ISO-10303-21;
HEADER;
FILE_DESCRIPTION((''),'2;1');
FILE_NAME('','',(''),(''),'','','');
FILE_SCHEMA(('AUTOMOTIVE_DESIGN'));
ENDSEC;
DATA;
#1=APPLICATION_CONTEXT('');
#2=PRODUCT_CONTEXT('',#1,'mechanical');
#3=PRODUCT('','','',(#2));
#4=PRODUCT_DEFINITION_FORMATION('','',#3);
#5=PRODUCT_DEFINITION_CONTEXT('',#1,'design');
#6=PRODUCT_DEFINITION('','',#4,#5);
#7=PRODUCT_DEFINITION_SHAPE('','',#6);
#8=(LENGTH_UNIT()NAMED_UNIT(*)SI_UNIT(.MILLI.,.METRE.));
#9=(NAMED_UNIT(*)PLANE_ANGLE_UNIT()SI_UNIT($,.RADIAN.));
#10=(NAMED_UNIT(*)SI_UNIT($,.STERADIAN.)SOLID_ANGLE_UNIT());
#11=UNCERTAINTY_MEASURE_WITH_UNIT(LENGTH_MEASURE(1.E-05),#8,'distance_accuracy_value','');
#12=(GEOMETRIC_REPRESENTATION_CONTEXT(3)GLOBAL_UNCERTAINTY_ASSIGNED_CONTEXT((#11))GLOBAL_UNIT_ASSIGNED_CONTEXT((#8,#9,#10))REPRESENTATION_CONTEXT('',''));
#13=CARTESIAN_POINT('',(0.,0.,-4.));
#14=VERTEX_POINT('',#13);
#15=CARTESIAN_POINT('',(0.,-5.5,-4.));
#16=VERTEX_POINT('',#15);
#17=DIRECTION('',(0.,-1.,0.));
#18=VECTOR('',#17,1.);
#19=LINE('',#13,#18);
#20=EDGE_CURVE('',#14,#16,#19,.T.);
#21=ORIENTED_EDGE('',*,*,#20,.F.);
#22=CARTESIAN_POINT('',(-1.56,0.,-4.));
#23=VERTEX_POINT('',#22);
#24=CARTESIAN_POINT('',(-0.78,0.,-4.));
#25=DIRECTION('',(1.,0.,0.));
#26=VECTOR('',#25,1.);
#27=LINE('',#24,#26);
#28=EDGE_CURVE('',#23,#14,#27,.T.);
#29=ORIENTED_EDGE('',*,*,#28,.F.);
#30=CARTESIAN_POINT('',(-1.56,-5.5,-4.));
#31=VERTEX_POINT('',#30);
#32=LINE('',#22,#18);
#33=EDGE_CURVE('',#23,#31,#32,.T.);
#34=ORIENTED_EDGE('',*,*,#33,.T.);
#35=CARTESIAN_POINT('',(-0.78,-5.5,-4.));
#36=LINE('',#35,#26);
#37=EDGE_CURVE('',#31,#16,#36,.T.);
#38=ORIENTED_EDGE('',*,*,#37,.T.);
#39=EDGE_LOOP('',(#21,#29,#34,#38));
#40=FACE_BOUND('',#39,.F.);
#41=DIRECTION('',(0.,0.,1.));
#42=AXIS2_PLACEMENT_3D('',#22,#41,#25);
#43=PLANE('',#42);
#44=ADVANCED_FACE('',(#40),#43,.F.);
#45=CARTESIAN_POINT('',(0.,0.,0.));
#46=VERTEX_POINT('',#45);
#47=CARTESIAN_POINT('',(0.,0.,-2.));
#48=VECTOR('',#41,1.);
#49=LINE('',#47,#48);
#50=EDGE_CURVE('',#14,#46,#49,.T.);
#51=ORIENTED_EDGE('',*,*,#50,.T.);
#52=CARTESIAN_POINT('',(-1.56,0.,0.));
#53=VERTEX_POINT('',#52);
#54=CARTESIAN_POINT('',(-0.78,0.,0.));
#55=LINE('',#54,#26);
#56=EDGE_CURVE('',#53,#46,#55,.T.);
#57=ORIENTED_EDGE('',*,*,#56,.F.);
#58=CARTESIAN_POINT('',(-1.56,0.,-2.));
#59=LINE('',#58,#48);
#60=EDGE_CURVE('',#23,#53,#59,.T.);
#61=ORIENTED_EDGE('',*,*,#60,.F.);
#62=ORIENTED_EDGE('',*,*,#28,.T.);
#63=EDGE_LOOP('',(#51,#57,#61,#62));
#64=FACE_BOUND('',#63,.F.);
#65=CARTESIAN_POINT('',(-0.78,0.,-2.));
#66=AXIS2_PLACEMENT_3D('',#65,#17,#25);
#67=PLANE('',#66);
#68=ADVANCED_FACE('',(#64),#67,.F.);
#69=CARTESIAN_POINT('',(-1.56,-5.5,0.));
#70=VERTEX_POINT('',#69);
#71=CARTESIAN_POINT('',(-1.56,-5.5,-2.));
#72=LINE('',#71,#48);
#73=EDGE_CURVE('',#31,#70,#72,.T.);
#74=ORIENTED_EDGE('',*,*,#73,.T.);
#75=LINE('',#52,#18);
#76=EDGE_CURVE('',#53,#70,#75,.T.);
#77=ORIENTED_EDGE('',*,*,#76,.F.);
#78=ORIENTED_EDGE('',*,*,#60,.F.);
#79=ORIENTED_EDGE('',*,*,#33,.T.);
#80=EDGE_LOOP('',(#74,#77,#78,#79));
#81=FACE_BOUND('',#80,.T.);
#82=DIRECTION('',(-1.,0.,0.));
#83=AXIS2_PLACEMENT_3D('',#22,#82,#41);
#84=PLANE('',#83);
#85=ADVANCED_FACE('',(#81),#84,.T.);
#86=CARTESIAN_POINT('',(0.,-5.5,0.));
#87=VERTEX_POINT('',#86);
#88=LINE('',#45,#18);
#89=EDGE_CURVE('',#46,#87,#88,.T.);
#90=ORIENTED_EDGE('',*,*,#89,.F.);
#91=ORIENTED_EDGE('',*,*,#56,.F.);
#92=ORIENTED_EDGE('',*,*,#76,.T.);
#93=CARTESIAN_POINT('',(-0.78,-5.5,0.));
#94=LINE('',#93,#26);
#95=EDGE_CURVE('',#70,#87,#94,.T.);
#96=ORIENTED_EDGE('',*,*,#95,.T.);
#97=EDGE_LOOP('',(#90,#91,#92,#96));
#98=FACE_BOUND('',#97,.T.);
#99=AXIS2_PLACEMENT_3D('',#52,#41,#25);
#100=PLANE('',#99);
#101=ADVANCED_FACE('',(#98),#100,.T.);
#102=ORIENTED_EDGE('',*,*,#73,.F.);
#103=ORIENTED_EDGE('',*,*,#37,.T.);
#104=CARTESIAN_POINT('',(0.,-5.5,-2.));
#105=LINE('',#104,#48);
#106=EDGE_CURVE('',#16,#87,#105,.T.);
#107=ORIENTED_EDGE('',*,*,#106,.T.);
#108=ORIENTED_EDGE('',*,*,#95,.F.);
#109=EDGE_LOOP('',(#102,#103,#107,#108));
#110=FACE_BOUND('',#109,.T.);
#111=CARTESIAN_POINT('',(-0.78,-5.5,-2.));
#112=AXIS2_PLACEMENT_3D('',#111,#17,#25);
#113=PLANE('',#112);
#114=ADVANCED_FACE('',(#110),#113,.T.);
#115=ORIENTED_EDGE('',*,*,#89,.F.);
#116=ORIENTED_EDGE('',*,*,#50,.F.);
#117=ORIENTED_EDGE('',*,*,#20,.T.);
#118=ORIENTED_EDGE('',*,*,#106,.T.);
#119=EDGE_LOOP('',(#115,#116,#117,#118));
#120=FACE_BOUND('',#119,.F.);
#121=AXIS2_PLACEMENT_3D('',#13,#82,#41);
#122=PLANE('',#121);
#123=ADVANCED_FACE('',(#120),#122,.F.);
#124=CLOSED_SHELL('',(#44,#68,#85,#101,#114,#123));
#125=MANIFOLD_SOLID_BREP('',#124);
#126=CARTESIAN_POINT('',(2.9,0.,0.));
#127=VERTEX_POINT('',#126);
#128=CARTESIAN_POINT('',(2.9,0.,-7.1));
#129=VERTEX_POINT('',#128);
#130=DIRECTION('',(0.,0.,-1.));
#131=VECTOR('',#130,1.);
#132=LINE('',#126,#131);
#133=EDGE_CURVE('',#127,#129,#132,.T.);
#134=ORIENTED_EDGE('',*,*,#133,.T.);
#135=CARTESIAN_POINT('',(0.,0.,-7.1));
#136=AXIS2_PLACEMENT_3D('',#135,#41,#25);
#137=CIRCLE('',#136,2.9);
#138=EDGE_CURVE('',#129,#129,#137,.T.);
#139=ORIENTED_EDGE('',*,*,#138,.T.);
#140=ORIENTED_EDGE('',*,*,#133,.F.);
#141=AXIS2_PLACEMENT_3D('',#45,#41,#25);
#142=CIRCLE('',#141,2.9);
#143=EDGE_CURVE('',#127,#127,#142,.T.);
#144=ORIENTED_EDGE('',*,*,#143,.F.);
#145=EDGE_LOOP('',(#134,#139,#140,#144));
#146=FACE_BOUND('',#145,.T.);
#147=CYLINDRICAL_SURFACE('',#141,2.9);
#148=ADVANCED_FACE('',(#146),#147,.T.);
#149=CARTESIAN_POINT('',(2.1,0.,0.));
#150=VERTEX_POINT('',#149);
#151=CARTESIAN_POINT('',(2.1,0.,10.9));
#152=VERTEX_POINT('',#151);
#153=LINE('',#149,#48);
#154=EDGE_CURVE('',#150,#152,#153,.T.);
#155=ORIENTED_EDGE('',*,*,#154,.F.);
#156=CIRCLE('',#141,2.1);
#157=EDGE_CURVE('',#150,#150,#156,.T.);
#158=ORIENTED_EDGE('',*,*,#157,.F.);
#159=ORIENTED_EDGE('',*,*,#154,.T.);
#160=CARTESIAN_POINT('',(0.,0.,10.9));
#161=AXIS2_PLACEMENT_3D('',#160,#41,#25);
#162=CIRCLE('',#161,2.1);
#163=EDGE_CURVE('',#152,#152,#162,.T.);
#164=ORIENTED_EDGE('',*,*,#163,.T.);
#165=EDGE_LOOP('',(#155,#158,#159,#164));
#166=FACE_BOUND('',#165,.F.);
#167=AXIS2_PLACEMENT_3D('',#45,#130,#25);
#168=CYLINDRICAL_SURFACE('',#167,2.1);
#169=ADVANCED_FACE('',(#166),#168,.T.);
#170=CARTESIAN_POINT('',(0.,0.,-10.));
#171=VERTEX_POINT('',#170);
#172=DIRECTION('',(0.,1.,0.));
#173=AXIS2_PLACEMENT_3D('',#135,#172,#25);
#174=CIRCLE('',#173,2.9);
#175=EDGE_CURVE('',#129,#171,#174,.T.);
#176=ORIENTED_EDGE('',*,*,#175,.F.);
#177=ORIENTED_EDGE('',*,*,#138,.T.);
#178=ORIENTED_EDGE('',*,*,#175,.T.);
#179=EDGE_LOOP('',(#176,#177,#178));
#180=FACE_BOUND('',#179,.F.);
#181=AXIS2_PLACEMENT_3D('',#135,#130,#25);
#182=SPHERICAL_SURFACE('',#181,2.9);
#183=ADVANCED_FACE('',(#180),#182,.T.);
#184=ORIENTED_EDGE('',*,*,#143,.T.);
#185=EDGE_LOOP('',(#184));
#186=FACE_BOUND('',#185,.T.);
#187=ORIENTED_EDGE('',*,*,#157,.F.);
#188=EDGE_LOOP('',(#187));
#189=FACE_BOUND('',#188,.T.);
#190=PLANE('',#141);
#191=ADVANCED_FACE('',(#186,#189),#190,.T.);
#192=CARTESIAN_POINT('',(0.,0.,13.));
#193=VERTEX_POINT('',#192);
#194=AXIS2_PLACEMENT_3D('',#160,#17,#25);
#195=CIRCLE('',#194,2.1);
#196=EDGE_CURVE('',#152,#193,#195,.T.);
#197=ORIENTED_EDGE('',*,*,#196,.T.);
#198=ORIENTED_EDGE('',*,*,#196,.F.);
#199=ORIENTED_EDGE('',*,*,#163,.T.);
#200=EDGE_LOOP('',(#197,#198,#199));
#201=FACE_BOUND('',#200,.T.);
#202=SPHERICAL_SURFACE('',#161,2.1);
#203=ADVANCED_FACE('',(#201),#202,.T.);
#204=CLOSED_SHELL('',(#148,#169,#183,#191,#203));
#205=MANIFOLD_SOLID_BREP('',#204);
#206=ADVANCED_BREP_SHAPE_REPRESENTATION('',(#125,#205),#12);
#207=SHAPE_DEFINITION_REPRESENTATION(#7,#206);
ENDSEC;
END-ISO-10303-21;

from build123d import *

# Parameters (mm, degrees)
F0_R     = 2.1
F1_DEPTH = 13
F0_R_2   = 2.9
F2_DEPTH = 10
F3_R     = 2.1
F4_R     = 2.9
F5_W     = 1.56
F5_H     = 4
F6_DEPTH = 5.5


with BuildPart() as f1:
    # F0 (on Top) → F1 (new body)
    with BuildSketch(Plane.XY):
        Circle(F0_R)
    extrude(amount=F1_DEPTH)

    # F0 (on Top) → F2 (join)
    with BuildSketch(Plane.XY):
        Circle(F0_R_2)
        Circle(F0_R, mode=Mode.SUBTRACT)
        Circle(F0_R)
    extrude(amount=-F2_DEPTH)

    # F3
    f3_edges = [f1.edges().sort_by_distance(p)[0] for p in [
        (-2.1, 0, 13),
    ]]
    fillet(f3_edges, radius=F3_R)

    # F4
    f4_edges = [f1.edges().sort_by_distance(p)[0] for p in [
        (-2.9, 0, -10),
    ]]
    fillet(f4_edges, radius=F4_R)


with BuildPart() as f6:
    # F5 (on Front) → F6 (new body)
    with BuildSketch(Plane.XZ):
        with Locations((-0.78, -2)):
            Rectangle(F5_W, F5_H)
    extrude(amount=F6_DEPTH)


solid = Compound([f1.part, f6.part])
